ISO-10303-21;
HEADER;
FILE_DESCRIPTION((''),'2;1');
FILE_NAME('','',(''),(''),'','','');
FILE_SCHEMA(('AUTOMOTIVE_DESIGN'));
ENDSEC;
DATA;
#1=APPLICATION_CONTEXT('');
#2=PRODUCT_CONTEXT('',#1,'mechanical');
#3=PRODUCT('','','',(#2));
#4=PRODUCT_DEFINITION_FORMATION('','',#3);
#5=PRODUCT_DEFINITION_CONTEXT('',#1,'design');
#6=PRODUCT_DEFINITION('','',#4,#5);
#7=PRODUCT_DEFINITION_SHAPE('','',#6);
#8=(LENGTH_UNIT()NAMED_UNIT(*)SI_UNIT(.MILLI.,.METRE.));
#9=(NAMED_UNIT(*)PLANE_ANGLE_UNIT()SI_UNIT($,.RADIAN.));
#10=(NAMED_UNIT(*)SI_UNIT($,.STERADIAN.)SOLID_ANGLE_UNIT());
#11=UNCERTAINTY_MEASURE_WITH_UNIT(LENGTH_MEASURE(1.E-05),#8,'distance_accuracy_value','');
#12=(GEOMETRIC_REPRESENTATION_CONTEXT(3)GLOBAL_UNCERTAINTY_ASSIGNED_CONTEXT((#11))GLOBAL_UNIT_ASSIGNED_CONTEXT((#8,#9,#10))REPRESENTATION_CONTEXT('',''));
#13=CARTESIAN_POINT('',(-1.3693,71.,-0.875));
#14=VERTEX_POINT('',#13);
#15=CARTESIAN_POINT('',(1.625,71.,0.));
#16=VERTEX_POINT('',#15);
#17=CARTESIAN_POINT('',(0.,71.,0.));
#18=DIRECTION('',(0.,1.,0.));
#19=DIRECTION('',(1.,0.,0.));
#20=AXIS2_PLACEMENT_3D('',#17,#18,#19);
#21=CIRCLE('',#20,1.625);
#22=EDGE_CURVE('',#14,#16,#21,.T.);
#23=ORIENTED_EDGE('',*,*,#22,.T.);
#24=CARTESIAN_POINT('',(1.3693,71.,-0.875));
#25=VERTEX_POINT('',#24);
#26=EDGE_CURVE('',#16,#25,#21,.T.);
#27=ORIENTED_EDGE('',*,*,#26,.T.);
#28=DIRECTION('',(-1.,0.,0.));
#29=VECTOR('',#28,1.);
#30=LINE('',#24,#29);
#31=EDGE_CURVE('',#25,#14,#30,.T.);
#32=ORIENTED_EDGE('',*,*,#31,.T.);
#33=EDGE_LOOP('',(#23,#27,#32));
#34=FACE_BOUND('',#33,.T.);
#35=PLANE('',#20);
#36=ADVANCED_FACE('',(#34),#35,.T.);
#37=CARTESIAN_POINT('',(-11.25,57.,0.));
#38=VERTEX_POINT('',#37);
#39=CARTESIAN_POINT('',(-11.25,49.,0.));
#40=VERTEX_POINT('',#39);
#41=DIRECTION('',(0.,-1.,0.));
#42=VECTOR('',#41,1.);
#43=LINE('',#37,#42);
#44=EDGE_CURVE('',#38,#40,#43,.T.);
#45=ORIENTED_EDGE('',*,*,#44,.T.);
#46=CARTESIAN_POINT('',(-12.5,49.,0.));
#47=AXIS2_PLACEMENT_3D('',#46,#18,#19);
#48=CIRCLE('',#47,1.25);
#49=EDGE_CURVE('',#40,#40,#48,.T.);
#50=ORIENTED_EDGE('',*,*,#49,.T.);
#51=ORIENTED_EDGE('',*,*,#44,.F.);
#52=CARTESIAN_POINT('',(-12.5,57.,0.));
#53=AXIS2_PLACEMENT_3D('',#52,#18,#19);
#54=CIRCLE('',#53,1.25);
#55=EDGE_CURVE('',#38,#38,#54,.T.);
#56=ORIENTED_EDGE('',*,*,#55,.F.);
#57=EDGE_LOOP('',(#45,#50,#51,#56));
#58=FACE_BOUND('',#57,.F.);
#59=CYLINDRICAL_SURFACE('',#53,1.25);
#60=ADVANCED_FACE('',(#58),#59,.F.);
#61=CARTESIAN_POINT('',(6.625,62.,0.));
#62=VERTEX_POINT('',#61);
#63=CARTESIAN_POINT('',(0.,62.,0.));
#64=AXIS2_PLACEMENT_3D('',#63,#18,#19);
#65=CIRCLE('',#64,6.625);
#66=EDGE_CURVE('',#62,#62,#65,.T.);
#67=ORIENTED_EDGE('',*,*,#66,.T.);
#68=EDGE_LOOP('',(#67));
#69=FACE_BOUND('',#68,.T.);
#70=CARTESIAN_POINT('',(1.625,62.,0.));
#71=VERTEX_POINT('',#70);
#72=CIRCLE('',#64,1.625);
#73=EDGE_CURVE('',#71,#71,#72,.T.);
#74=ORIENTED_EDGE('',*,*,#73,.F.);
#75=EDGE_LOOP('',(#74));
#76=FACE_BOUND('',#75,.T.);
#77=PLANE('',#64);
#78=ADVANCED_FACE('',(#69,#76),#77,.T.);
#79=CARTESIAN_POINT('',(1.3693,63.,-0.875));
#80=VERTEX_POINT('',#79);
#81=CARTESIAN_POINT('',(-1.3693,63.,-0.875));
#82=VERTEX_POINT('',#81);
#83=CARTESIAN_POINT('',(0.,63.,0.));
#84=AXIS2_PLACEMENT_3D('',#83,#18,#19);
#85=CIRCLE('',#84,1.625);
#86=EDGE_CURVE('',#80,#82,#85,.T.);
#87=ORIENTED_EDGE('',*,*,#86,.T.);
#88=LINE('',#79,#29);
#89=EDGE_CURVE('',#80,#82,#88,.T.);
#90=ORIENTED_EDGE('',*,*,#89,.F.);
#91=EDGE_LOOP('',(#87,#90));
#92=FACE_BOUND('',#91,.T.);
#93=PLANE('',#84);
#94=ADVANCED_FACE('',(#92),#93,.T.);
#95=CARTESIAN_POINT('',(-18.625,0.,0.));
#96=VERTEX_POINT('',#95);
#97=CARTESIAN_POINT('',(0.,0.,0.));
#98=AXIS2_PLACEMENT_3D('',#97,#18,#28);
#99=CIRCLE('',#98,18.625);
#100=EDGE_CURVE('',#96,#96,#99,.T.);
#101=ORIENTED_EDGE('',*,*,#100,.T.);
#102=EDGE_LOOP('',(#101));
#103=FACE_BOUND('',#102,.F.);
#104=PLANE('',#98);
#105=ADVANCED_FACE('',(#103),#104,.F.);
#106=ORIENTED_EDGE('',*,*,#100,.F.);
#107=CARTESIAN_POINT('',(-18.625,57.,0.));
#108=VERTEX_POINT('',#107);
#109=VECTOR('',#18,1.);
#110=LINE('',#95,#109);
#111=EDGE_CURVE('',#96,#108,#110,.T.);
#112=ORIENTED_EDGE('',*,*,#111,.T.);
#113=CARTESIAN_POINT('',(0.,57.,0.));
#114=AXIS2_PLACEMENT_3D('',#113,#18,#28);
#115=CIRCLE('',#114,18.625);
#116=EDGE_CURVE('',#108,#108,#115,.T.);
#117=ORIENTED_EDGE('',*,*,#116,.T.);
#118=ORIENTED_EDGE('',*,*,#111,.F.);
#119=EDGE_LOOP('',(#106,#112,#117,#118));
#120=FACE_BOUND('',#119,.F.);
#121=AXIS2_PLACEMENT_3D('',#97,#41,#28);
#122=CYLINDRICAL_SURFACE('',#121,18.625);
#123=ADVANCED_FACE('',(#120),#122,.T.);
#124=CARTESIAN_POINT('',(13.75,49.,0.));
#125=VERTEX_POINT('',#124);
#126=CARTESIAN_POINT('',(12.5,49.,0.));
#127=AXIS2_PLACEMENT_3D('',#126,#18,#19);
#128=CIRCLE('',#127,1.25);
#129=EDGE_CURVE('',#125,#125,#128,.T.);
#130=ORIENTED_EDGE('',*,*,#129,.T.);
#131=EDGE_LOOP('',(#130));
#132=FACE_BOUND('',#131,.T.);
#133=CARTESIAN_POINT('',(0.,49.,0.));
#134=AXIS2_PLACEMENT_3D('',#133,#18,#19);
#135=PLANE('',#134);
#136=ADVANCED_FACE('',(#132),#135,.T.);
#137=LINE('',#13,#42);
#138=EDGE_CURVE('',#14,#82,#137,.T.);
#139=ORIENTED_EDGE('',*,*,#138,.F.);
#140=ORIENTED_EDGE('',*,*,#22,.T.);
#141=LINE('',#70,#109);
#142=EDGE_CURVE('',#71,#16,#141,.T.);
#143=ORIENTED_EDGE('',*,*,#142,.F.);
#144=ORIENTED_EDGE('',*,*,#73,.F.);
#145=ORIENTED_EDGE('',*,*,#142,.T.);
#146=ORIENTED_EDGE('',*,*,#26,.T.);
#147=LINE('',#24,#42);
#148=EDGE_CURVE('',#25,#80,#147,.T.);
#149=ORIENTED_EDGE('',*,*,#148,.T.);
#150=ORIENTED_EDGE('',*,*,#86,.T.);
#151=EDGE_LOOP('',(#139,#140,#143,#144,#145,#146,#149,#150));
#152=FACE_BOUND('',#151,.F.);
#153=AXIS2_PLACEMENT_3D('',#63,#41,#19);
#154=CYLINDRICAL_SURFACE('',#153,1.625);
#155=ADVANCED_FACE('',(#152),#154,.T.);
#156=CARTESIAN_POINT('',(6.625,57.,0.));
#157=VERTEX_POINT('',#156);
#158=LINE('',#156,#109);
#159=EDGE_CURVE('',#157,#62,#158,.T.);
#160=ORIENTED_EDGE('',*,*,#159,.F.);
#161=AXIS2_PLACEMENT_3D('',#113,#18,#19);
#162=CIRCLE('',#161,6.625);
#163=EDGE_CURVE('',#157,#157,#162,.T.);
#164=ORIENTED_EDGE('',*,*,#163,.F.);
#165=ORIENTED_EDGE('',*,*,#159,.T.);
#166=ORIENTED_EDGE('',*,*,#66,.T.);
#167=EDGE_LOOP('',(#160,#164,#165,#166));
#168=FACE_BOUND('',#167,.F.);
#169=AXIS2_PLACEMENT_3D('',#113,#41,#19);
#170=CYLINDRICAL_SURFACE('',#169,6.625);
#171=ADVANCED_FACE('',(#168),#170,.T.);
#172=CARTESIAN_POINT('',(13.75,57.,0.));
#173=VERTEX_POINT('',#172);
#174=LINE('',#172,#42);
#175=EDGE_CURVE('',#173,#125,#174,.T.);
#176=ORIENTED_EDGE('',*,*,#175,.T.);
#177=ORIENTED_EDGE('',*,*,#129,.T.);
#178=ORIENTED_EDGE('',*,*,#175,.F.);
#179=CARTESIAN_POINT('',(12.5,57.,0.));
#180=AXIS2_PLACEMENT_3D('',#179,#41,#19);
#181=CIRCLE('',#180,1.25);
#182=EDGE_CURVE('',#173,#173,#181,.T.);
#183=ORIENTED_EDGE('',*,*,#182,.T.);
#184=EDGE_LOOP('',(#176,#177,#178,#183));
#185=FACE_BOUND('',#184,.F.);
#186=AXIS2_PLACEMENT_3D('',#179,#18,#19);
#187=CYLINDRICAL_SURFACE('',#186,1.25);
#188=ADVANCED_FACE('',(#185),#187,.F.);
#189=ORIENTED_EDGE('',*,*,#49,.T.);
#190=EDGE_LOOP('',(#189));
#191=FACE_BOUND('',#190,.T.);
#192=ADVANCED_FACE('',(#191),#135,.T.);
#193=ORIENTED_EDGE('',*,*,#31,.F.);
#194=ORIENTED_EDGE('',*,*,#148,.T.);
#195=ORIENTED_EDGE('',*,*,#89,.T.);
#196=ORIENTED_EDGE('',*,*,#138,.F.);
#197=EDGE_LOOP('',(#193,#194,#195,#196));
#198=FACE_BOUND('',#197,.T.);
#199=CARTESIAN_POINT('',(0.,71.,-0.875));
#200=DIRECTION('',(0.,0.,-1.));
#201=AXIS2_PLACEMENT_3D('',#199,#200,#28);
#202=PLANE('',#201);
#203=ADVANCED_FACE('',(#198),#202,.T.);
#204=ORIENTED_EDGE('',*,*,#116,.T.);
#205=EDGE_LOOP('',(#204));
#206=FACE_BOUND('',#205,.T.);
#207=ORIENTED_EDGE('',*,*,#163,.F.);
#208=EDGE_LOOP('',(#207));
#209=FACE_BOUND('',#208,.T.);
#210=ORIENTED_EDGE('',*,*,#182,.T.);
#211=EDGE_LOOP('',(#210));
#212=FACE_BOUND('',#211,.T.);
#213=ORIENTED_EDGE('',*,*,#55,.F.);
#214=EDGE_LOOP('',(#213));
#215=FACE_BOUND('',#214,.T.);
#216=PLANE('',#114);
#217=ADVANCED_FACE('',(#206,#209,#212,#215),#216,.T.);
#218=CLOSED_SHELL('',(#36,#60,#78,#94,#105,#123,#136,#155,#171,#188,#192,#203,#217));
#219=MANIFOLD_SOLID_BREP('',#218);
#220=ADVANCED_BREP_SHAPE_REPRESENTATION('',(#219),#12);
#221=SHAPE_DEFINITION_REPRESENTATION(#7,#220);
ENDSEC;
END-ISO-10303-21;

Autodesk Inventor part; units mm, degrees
ref_plane "YZ Plane" through (0, 0, 0) normal (1, 0, 0) x (0, 1, 0)
ref_plane "XZ Plane" through (0, 0, 0) normal (0, 1, 0) x (-1, 0, 0)
ref_plane "XY Plane" through (0, 0, 0) normal (0, 0, 1) x (1, 0, 0)
sketch "Sketch1" plane through (0, 0, 0) normal (0, 1, 0) x (-1, 0, 0)
  circle A0 centre (0, 0) radius 18.625
  dimension "d0" = 37.25
extrude "Extrusion1" add sketch "Sketch1" along normal blind 57
sketch "Sketch2" plane through (0, 57, 0) normal (0, 1, 0) x (1, 0, 0)
  circle A0 centre (0, 0) radius 6.625
  dimension "d3" = 13.25
extrude "Extrusion2" add sketch "Sketch2" along normal blind 5
sketch "Sketch3" plane through (0, 62, 0) normal (0, 1, 0) x (1, 0, 0)
  circle A0 centre (0, 0) radius 1.625
  dimension "d6" = 3.25
extrude "Extrusion3" add sketch "Sketch3" along normal blind 9
sketch "Sketch4" plane through (0, 71, 0) normal (0, 1, 0) x (1, 0, 0)
  circle A0 centre (0, 0) radius 1.625 projected
  line L0 (0, 0.875) -> (-1.3693, 0.875)
  line L1 (0, 0.875) -> (1.3693, 0.875)
  arc A1 (1.3693, 0.875) -> (-1.3693, 0.875) centre (0, 0) ccw
extrude "Extrusion4" cut sketch "Sketch4" against normal blind 8 contours L1 L0 A0 picked at (0.8372, 0.9686)
sketch "Sketch5" plane through (0, 57, 0) normal (0, 1, 0) x (1, 0, 0)
  circle A0 centre (12.5, 0) radius 1.25
  circle A1 centre (-12.5, 0) radius 1.25
  line L0 (-12.5, 0) -> (0, 0)
  line L1 (0, 0) -> (12.5, 0)
  dimension "d13" = 2.5
  dimension "d14" = 2.5
  dimension "d17" = 12.5
  dimension "d18" = 12.5
extrude "Extrusion5" cut sketch "Sketch5" against normal blind 8
properties part number "Helion_Motor"
